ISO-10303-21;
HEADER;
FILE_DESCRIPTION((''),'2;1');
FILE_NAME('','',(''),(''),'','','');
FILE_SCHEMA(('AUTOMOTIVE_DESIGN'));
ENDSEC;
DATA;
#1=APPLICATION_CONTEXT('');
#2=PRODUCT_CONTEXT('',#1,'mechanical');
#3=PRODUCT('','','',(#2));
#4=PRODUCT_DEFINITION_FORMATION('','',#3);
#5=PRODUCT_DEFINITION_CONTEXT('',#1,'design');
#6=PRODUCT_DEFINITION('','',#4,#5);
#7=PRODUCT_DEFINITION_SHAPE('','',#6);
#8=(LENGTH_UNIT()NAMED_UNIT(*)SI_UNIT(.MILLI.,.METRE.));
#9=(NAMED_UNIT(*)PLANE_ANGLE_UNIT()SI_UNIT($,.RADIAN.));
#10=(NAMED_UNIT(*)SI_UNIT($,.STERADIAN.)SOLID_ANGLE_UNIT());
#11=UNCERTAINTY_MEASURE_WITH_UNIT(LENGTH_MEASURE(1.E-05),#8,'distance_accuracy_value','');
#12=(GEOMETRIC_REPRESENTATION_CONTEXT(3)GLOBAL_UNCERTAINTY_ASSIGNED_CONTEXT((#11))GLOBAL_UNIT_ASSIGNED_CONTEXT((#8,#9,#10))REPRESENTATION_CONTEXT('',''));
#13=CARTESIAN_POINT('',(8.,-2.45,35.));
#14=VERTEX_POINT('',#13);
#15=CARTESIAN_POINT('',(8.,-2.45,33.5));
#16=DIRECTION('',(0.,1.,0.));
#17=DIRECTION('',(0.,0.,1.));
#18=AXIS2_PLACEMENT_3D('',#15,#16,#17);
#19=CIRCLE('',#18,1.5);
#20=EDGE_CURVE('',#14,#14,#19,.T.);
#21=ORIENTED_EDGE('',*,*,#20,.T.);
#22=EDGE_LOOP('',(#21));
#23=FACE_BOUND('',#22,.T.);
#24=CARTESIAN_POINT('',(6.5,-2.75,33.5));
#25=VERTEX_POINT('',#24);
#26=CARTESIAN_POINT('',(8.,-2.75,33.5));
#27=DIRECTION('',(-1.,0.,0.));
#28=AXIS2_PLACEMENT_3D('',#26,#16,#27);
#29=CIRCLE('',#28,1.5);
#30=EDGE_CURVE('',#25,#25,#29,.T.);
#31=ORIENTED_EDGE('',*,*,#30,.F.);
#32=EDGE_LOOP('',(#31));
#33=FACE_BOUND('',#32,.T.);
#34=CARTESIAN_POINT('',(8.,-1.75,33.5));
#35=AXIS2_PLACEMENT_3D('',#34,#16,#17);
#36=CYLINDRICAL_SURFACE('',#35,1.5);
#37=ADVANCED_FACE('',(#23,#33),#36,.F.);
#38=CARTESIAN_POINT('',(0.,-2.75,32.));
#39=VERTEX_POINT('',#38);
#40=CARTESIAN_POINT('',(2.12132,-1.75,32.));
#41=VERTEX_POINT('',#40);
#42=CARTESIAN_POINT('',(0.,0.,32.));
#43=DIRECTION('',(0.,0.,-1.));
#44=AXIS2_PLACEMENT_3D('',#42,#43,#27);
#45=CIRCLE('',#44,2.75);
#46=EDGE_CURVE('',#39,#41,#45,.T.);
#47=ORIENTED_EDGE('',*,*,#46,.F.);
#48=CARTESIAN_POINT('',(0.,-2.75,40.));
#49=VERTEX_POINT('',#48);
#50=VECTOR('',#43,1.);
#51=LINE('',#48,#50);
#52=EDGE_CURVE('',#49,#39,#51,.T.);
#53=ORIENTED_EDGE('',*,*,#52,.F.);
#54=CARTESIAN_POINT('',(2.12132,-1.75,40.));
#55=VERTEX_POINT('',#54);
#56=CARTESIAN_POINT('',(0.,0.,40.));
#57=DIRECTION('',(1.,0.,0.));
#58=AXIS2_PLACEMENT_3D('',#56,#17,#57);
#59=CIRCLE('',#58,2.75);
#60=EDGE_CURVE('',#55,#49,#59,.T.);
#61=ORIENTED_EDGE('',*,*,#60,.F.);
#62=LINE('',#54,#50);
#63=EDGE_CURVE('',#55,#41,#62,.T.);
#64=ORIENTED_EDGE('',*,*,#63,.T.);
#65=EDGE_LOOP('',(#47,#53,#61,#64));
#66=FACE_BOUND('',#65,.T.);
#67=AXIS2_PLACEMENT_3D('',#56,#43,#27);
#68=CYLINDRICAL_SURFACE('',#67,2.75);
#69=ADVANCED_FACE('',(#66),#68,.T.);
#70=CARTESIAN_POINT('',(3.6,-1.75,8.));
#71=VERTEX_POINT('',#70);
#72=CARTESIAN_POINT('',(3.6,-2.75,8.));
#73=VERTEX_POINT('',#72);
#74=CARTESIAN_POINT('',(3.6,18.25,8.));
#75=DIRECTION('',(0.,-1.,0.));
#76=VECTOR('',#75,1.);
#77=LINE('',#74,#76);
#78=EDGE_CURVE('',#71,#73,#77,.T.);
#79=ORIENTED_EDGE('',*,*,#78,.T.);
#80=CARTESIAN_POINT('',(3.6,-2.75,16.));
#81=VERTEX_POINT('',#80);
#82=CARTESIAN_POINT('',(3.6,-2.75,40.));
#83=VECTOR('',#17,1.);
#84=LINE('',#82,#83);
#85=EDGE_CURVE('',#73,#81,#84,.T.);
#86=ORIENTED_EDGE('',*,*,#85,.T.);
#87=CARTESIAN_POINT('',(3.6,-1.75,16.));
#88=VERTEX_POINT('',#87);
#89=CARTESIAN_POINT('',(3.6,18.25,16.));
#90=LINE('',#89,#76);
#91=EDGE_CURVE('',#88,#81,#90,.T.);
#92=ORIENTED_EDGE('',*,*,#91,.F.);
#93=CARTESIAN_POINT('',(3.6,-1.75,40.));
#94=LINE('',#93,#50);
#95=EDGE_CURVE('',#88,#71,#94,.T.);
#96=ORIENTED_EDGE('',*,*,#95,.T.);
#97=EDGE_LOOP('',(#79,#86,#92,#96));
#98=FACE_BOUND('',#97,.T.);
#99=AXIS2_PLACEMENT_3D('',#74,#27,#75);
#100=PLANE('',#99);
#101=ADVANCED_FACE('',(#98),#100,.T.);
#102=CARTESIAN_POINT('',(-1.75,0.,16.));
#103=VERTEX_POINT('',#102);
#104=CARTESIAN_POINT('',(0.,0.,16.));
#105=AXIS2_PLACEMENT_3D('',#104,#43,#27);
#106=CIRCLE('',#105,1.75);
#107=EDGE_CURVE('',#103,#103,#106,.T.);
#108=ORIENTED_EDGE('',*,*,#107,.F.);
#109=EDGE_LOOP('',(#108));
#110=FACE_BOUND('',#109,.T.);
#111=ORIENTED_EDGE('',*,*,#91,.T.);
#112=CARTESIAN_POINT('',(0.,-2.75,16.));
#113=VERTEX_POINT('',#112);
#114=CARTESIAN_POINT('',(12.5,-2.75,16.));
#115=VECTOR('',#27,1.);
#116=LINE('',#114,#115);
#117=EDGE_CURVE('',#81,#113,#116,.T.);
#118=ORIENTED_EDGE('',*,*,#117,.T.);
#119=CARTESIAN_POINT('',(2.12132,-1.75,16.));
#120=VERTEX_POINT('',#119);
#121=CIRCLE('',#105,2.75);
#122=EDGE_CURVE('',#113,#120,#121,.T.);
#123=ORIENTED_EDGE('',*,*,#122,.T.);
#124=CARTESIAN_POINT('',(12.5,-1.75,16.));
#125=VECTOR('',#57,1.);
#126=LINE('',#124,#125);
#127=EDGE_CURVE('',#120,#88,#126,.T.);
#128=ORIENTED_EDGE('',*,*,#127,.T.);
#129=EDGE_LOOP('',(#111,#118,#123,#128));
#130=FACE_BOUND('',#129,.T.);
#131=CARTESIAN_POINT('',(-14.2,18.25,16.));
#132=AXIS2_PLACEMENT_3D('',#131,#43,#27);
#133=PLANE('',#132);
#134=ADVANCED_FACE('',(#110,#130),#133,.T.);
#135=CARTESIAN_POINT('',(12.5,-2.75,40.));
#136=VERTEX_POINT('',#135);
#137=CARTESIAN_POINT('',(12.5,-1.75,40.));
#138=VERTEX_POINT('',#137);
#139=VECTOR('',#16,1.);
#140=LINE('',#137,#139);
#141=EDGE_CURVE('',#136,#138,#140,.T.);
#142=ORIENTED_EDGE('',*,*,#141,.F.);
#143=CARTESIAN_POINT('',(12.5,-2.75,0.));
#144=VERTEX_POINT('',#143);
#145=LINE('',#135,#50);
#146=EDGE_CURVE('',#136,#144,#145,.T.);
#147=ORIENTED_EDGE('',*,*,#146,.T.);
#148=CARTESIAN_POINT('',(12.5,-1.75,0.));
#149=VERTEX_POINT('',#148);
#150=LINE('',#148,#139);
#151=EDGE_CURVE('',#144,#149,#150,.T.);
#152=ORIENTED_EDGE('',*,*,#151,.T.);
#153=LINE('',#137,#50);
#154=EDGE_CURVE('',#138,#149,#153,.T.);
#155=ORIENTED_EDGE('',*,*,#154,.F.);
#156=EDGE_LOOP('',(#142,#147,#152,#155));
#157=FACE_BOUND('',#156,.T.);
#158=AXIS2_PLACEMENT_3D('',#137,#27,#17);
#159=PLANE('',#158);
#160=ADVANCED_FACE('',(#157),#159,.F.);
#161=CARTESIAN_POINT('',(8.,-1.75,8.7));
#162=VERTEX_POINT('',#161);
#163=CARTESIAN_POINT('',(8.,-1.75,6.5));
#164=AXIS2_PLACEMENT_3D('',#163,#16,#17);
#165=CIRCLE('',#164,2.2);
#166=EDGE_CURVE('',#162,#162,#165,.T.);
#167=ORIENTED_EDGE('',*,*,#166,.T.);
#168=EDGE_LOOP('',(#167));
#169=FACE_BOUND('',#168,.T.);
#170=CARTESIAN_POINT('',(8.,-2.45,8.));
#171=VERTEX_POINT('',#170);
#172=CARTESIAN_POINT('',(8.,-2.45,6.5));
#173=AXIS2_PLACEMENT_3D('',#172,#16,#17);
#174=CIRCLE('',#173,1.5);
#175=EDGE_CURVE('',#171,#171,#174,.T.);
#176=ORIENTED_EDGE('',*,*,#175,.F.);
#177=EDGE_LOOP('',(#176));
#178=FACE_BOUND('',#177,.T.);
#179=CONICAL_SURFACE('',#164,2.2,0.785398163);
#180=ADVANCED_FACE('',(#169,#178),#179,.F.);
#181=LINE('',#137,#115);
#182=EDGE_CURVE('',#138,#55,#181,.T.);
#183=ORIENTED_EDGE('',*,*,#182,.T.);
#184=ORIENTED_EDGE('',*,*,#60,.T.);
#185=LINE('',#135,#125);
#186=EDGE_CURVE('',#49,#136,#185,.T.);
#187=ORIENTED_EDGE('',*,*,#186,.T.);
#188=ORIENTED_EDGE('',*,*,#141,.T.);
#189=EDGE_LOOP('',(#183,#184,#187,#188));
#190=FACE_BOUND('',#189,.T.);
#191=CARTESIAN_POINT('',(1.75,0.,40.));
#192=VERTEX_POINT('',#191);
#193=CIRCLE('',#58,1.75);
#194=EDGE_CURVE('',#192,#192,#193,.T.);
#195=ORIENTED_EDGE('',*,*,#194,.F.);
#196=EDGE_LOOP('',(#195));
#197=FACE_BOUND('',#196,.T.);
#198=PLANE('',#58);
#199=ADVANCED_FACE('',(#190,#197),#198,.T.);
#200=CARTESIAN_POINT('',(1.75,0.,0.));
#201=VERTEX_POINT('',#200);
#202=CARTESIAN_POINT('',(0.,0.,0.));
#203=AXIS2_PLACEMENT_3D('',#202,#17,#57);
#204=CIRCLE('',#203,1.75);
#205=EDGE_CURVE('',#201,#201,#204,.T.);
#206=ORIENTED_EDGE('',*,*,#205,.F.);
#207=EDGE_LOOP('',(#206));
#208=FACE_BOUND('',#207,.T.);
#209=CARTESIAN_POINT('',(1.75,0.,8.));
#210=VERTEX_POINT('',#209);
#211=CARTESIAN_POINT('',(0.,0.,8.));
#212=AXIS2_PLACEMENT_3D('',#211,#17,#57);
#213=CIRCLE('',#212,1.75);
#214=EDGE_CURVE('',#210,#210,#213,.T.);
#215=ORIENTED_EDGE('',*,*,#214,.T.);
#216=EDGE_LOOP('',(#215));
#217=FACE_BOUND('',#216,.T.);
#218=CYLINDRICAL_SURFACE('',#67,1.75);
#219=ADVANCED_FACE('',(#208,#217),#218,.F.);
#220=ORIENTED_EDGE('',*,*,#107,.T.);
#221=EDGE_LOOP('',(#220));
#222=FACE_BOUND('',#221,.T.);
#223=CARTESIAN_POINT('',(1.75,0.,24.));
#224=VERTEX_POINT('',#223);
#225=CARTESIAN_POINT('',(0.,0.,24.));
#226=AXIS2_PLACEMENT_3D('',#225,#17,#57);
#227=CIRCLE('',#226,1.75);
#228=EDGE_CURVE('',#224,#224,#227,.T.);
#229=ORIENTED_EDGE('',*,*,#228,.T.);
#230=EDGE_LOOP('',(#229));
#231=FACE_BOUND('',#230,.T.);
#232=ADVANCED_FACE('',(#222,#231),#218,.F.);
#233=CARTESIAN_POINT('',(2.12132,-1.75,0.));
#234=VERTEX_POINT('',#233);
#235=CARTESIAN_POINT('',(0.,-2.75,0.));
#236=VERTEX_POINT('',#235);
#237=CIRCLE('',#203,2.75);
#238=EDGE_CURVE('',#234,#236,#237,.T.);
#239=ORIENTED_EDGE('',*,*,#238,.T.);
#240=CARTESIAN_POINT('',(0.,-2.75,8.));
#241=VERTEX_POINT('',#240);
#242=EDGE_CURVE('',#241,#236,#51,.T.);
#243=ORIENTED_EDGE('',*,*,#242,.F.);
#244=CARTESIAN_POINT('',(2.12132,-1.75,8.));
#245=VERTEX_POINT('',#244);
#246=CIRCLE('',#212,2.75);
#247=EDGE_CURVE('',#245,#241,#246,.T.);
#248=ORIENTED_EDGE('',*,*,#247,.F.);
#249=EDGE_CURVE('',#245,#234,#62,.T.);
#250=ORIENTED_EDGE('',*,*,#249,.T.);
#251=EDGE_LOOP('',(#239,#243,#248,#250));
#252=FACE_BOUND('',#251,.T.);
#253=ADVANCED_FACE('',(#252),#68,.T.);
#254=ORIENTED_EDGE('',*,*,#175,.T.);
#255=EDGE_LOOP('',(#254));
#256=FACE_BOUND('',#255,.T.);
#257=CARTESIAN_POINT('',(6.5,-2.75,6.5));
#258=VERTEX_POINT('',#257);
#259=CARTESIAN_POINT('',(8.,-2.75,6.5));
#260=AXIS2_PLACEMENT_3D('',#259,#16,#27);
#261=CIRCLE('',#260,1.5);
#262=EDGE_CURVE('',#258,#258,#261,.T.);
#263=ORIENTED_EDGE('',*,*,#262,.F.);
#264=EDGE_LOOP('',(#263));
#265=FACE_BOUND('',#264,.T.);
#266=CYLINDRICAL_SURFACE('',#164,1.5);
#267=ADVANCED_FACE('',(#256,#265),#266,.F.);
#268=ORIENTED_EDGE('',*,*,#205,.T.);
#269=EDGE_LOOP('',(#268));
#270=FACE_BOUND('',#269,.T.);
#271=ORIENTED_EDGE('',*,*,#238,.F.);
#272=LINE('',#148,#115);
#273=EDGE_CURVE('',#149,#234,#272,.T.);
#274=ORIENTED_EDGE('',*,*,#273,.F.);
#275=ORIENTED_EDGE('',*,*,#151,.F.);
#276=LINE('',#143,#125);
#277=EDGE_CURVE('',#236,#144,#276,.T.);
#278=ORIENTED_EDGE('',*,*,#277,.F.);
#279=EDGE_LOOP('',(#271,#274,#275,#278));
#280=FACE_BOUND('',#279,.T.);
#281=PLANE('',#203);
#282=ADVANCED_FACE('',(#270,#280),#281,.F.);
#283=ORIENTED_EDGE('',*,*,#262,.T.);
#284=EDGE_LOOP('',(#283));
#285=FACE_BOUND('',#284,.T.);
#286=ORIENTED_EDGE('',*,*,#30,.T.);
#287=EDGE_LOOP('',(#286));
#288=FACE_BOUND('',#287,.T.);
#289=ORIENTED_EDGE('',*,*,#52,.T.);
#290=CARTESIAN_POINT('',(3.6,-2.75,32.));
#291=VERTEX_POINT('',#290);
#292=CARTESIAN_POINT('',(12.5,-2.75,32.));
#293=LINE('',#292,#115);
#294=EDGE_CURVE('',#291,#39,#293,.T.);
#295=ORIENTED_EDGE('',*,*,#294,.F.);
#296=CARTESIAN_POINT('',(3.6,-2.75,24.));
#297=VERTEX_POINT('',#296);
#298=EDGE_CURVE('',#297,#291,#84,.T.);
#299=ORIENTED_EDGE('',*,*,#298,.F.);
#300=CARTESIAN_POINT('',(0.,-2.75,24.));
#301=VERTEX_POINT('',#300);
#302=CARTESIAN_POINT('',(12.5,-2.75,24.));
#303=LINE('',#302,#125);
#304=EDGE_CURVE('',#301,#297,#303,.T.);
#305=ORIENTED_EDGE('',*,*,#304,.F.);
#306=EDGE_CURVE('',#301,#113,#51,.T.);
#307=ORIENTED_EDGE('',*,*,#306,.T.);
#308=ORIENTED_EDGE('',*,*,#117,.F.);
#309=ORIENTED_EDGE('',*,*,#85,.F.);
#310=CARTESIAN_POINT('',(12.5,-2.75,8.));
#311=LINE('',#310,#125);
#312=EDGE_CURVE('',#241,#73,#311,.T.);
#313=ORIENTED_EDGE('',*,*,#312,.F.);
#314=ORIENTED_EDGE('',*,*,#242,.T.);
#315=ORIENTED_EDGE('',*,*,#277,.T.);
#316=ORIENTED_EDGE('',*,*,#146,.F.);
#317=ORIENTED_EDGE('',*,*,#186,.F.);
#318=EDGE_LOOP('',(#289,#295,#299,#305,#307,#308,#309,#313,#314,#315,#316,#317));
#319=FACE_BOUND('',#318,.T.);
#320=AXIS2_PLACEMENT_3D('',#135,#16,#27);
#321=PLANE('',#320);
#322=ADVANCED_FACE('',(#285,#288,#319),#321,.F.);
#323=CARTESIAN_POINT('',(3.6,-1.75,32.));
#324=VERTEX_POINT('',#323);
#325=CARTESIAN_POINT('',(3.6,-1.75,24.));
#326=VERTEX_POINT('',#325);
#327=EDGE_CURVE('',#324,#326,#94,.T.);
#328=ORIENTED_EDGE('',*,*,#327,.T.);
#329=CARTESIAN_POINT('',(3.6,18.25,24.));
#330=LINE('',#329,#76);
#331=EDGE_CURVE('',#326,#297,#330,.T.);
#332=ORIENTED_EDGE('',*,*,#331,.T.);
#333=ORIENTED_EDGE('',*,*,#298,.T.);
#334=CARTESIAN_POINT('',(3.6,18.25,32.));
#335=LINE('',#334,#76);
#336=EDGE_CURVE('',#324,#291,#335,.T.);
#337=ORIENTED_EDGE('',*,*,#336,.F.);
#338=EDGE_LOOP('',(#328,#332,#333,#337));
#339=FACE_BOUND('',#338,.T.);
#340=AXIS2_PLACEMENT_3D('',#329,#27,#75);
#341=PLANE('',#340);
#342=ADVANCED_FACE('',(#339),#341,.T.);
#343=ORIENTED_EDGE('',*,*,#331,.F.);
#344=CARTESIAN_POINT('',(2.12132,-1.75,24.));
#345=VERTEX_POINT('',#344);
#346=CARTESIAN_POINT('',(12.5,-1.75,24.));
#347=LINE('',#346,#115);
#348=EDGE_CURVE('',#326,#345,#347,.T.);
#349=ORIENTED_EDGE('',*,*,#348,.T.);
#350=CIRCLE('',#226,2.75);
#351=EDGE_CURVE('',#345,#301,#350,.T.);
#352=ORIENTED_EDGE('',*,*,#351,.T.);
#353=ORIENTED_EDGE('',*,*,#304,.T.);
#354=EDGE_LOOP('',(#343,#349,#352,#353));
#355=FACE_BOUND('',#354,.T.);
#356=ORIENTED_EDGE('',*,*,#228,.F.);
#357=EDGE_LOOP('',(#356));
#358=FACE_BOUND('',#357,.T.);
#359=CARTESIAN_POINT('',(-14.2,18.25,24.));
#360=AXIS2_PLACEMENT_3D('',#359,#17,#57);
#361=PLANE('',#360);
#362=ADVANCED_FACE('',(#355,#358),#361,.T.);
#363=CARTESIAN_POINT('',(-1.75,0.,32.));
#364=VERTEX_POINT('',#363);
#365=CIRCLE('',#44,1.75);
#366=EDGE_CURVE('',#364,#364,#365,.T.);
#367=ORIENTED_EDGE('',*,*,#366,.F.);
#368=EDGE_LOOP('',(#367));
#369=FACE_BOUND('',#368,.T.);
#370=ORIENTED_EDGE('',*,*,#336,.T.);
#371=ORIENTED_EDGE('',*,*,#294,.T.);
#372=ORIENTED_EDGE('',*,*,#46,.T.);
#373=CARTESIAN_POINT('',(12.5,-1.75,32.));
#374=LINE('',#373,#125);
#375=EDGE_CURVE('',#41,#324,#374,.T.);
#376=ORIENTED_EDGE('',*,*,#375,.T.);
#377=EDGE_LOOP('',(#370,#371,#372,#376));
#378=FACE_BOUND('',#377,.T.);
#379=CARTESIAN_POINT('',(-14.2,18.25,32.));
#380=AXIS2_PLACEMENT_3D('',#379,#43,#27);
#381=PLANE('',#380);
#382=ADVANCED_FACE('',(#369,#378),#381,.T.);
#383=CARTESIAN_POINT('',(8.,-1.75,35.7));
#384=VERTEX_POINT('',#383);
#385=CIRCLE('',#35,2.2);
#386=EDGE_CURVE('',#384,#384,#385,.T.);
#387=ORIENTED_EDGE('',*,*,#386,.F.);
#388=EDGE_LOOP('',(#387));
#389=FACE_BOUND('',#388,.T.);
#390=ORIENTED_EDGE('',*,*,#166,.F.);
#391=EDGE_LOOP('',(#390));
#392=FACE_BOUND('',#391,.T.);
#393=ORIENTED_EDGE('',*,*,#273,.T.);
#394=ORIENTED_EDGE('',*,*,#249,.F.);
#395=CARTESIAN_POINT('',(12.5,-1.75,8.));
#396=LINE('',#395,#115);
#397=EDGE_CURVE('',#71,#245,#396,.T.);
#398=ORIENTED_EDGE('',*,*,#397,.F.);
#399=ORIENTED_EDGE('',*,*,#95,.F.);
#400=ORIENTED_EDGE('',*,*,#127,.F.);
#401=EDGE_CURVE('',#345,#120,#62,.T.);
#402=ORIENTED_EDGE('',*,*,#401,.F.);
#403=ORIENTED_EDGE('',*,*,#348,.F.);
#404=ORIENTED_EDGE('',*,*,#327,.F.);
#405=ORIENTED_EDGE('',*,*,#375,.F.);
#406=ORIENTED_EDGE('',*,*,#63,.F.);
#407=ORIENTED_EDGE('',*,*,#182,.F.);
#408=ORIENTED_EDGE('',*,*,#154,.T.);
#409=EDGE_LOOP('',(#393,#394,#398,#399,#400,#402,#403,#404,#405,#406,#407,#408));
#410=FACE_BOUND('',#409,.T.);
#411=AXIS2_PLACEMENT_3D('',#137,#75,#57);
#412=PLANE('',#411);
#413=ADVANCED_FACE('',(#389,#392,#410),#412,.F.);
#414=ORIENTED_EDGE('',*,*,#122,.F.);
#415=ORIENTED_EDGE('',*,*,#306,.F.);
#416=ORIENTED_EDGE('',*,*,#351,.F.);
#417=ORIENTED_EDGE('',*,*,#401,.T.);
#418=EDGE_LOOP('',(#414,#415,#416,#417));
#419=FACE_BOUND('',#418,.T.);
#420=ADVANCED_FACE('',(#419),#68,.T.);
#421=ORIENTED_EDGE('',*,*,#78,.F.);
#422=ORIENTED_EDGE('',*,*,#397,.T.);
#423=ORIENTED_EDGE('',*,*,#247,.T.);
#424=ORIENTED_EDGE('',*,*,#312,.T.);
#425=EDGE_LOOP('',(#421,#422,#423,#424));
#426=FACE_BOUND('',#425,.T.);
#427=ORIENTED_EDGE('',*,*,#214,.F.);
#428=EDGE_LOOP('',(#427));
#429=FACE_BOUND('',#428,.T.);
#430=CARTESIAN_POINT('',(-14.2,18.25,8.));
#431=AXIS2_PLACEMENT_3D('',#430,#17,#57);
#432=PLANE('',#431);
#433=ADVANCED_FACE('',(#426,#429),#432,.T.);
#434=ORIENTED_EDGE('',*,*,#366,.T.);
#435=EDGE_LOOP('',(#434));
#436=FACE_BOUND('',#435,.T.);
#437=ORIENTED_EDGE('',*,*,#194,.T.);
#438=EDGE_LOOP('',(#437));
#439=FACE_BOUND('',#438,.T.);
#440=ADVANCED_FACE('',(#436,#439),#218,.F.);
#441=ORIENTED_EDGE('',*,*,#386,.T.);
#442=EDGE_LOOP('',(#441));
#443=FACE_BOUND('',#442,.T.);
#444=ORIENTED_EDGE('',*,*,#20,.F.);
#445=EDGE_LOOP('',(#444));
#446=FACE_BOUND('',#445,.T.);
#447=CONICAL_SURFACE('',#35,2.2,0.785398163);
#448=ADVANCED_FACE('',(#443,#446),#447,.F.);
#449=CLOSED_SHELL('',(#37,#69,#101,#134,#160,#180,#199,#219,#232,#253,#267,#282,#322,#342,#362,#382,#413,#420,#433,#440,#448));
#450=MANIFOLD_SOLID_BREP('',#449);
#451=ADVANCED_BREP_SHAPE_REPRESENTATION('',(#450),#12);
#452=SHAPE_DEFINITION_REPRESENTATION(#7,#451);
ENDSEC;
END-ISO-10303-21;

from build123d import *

# Parameters (mm, degrees)
ESQUISSE1_R                  = 1.75
BOSS_EXTRU_1_DEPTH           = 40
ENL_V_MAT_EXTRU_3_DEPTH      = 20
ENL_V_MAT_EXTRU_3_DEPTH_BACK = 20
ESQUISSE2_W                  = 17.8
ESQUISSE2_H                  = 8
D_GAGEMENT_M31_D             = 3
D_GAGEMENT_M31_DEPTH         = 10
D_GAGEMENT_M31_CSINK_D       = 4.4
D_GAGEMENT_M31_CSINK_ANGLE   = 90
D_GAGEMENT_M31_TIP           = 0.901290929


with BuildPart() as part:
    # Esquisse1 → Boss.-Extru.1 (new body)
    with BuildSketch(Plane.XY):
        with BuildLine():
            Line((12.5, -1.75), (2.121320344, -1.75))
            ThreePointArc((2.121320344, -1.75), (-1.17260394, 2.487468593), (0, -2.75))
            Line((0, -2.75), (12.5, -2.75))
            Line((12.5, -2.75), (12.5, -1.75))
        make_face()
        Circle(ESQUISSE1_R, mode=Mode.SUBTRACT)
    extrude(amount=BOSS_EXTRU_1_DEPTH)

    # Esquisse2 → Enlèv. mat.-Extru.3 (cut, two sides: drawn at the far end of the back side and taken through both)
    with BuildSketch(Plane(origin=(0, -1.75, 0), x_dir=(1, 0, 0), z_dir=(0, 1, 0)).offset(-ENL_V_MAT_EXTRU_3_DEPTH_BACK)):
        with Locations((-5.3, -12)):
            Rectangle(ESQUISSE2_W, ESQUISSE2_H)
        with Locations((-5.3, -28)):
            Rectangle(ESQUISSE2_W, ESQUISSE2_H)
    extrude(amount=ENL_V_MAT_EXTRU_3_DEPTH + ENL_V_MAT_EXTRU_3_DEPTH_BACK, mode=Mode.SUBTRACT)

    # Dégagement M31
    with Locations(Plane(origin=(0, -1.75, 0), x_dir=(1, 0, 0), z_dir=(0, 1, 0))):
        with Locations((8, -33.5), (8, -6.5)):
            CounterSinkHole(D_GAGEMENT_M31_D / 2, D_GAGEMENT_M31_CSINK_D / 2, depth=D_GAGEMENT_M31_DEPTH, counter_sink_angle=D_GAGEMENT_M31_CSINK_ANGLE)
            with Locations((0, 0, -(D_GAGEMENT_M31_DEPTH + D_GAGEMENT_M31_TIP / 2))):  # 118° drill point
                Cone(0, D_GAGEMENT_M31_D / 2, D_GAGEMENT_M31_TIP, mode=Mode.SUBTRACT)


solid = part.part
